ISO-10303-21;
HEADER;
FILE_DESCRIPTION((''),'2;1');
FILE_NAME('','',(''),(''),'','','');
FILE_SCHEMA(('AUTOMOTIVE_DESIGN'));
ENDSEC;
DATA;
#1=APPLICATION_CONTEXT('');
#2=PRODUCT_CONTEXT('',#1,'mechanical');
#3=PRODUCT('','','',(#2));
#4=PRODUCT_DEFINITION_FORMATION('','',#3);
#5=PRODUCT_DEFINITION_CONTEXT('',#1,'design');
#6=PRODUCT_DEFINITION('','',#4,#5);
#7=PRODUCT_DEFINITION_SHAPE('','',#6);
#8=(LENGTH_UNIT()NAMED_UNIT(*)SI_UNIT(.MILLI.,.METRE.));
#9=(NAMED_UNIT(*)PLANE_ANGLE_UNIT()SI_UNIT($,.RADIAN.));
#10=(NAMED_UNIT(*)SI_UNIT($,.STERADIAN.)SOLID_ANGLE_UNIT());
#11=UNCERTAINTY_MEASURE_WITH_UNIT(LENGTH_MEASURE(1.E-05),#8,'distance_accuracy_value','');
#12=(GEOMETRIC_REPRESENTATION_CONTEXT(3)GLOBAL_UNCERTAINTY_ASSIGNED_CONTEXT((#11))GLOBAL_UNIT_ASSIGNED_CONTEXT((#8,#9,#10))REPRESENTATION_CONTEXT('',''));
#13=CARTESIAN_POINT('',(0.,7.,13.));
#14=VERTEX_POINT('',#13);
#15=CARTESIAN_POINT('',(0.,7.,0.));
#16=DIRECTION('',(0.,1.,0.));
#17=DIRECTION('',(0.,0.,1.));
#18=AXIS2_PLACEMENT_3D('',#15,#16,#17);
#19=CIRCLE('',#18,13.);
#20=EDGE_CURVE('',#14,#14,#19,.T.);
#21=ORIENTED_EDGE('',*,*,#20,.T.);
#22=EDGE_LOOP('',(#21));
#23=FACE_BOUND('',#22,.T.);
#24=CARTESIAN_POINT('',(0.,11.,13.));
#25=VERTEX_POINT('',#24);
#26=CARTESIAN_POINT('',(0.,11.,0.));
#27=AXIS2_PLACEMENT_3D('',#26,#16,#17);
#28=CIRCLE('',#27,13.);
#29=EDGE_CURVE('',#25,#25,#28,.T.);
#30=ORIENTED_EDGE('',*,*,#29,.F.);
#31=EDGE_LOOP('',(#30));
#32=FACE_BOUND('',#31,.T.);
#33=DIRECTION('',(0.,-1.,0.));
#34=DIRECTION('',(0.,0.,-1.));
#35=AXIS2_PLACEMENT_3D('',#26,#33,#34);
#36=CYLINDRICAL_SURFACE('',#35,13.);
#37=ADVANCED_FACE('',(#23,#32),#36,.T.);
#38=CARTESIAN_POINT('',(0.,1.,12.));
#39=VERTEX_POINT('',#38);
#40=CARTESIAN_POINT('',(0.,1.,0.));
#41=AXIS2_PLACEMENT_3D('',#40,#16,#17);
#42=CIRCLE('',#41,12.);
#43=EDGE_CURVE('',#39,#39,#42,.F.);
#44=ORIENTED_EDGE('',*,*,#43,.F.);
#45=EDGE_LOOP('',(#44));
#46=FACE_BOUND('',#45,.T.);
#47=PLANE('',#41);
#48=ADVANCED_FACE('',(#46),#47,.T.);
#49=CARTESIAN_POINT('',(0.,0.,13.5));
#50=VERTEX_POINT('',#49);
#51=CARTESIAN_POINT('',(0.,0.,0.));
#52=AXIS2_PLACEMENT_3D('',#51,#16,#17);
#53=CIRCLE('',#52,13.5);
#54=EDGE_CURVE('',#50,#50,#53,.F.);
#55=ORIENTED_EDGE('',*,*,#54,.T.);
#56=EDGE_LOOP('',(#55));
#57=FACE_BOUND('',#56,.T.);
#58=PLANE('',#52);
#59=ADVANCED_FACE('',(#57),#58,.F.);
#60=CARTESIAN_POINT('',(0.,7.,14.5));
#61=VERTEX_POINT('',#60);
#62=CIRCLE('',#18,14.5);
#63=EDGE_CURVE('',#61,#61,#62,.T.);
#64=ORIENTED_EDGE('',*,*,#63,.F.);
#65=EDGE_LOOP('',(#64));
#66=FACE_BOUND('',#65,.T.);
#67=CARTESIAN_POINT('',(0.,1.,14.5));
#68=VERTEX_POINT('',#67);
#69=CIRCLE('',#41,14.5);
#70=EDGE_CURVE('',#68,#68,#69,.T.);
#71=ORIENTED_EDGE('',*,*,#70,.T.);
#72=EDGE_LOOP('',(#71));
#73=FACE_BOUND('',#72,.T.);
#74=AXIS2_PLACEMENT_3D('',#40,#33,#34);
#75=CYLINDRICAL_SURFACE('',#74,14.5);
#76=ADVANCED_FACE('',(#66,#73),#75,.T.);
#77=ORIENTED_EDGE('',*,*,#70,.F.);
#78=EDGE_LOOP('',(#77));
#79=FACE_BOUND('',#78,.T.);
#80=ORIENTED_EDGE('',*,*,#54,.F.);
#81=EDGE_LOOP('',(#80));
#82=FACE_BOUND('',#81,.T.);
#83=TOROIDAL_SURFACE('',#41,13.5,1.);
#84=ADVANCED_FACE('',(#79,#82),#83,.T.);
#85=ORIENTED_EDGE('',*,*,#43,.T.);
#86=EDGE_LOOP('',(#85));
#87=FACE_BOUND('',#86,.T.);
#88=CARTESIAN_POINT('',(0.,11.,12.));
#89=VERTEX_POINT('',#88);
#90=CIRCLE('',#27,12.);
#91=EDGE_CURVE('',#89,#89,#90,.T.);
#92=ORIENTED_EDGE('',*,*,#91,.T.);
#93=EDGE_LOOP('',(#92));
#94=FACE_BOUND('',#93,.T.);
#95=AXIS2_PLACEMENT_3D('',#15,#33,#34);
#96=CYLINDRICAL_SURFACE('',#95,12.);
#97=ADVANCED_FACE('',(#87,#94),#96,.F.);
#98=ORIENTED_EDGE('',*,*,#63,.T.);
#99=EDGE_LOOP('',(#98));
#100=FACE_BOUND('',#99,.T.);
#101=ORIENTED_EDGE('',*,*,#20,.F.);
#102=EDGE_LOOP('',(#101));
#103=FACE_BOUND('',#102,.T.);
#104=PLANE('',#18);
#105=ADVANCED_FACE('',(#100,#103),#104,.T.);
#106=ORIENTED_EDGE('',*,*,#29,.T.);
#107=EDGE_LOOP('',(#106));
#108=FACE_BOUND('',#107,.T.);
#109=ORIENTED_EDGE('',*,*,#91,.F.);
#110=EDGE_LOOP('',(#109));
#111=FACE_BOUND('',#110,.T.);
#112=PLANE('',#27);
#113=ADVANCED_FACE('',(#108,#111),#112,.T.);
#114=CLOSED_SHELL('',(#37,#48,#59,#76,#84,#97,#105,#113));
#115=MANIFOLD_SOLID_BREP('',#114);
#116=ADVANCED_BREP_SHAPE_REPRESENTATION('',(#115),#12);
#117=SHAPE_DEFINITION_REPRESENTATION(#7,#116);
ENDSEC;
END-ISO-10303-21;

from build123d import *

# Parameters (mm, degrees)
SKETCH1_R           = 14.5
BOSS_EXTRUDE1_DEPTH = 1
SKETCH2_R           = 14.5
SKETCH2_R_2         = 12
BOSS_EXTRUDE2_DEPTH = 6
SKETCH3_R           = 13
SKETCH3_R_2         = 12
BOSS_EXTRUDE3_DEPTH = 4
FILLET1_R           = 1


with BuildPart() as part:
    # Sketch1 → Boss-Extrude1 (new body)
    with BuildSketch(Plane(origin=(0, 0, 0), x_dir=(1, 0, 0), z_dir=(0, 1, 0))):
        Circle(SKETCH1_R)
    extrude(amount=BOSS_EXTRUDE1_DEPTH)

    # Sketch2 → Boss-Extrude2 (add)
    with BuildSketch(Plane(origin=(0, 1, 0), x_dir=(1, 0, 0), z_dir=(0, 1, 0))):
        Circle(SKETCH2_R)
        Circle(SKETCH2_R_2, mode=Mode.SUBTRACT)
    extrude(amount=BOSS_EXTRUDE2_DEPTH)

    # Sketch3 → Boss-Extrude3 (add)
    with BuildSketch(Plane(origin=(0, 7, 0), x_dir=(1, 0, 0), z_dir=(0, 1, 0))):
        Circle(SKETCH3_R)
        Circle(SKETCH3_R_2, mode=Mode.SUBTRACT)
    extrude(amount=BOSS_EXTRUDE3_DEPTH)

    # Fillet1
    fillet1_edges = [part.edges().sort_by_distance(p)[0] for p in [
        (-14.5, 0, 0),
    ]]
    fillet(fillet1_edges, radius=FILLET1_R)


solid = part.part
